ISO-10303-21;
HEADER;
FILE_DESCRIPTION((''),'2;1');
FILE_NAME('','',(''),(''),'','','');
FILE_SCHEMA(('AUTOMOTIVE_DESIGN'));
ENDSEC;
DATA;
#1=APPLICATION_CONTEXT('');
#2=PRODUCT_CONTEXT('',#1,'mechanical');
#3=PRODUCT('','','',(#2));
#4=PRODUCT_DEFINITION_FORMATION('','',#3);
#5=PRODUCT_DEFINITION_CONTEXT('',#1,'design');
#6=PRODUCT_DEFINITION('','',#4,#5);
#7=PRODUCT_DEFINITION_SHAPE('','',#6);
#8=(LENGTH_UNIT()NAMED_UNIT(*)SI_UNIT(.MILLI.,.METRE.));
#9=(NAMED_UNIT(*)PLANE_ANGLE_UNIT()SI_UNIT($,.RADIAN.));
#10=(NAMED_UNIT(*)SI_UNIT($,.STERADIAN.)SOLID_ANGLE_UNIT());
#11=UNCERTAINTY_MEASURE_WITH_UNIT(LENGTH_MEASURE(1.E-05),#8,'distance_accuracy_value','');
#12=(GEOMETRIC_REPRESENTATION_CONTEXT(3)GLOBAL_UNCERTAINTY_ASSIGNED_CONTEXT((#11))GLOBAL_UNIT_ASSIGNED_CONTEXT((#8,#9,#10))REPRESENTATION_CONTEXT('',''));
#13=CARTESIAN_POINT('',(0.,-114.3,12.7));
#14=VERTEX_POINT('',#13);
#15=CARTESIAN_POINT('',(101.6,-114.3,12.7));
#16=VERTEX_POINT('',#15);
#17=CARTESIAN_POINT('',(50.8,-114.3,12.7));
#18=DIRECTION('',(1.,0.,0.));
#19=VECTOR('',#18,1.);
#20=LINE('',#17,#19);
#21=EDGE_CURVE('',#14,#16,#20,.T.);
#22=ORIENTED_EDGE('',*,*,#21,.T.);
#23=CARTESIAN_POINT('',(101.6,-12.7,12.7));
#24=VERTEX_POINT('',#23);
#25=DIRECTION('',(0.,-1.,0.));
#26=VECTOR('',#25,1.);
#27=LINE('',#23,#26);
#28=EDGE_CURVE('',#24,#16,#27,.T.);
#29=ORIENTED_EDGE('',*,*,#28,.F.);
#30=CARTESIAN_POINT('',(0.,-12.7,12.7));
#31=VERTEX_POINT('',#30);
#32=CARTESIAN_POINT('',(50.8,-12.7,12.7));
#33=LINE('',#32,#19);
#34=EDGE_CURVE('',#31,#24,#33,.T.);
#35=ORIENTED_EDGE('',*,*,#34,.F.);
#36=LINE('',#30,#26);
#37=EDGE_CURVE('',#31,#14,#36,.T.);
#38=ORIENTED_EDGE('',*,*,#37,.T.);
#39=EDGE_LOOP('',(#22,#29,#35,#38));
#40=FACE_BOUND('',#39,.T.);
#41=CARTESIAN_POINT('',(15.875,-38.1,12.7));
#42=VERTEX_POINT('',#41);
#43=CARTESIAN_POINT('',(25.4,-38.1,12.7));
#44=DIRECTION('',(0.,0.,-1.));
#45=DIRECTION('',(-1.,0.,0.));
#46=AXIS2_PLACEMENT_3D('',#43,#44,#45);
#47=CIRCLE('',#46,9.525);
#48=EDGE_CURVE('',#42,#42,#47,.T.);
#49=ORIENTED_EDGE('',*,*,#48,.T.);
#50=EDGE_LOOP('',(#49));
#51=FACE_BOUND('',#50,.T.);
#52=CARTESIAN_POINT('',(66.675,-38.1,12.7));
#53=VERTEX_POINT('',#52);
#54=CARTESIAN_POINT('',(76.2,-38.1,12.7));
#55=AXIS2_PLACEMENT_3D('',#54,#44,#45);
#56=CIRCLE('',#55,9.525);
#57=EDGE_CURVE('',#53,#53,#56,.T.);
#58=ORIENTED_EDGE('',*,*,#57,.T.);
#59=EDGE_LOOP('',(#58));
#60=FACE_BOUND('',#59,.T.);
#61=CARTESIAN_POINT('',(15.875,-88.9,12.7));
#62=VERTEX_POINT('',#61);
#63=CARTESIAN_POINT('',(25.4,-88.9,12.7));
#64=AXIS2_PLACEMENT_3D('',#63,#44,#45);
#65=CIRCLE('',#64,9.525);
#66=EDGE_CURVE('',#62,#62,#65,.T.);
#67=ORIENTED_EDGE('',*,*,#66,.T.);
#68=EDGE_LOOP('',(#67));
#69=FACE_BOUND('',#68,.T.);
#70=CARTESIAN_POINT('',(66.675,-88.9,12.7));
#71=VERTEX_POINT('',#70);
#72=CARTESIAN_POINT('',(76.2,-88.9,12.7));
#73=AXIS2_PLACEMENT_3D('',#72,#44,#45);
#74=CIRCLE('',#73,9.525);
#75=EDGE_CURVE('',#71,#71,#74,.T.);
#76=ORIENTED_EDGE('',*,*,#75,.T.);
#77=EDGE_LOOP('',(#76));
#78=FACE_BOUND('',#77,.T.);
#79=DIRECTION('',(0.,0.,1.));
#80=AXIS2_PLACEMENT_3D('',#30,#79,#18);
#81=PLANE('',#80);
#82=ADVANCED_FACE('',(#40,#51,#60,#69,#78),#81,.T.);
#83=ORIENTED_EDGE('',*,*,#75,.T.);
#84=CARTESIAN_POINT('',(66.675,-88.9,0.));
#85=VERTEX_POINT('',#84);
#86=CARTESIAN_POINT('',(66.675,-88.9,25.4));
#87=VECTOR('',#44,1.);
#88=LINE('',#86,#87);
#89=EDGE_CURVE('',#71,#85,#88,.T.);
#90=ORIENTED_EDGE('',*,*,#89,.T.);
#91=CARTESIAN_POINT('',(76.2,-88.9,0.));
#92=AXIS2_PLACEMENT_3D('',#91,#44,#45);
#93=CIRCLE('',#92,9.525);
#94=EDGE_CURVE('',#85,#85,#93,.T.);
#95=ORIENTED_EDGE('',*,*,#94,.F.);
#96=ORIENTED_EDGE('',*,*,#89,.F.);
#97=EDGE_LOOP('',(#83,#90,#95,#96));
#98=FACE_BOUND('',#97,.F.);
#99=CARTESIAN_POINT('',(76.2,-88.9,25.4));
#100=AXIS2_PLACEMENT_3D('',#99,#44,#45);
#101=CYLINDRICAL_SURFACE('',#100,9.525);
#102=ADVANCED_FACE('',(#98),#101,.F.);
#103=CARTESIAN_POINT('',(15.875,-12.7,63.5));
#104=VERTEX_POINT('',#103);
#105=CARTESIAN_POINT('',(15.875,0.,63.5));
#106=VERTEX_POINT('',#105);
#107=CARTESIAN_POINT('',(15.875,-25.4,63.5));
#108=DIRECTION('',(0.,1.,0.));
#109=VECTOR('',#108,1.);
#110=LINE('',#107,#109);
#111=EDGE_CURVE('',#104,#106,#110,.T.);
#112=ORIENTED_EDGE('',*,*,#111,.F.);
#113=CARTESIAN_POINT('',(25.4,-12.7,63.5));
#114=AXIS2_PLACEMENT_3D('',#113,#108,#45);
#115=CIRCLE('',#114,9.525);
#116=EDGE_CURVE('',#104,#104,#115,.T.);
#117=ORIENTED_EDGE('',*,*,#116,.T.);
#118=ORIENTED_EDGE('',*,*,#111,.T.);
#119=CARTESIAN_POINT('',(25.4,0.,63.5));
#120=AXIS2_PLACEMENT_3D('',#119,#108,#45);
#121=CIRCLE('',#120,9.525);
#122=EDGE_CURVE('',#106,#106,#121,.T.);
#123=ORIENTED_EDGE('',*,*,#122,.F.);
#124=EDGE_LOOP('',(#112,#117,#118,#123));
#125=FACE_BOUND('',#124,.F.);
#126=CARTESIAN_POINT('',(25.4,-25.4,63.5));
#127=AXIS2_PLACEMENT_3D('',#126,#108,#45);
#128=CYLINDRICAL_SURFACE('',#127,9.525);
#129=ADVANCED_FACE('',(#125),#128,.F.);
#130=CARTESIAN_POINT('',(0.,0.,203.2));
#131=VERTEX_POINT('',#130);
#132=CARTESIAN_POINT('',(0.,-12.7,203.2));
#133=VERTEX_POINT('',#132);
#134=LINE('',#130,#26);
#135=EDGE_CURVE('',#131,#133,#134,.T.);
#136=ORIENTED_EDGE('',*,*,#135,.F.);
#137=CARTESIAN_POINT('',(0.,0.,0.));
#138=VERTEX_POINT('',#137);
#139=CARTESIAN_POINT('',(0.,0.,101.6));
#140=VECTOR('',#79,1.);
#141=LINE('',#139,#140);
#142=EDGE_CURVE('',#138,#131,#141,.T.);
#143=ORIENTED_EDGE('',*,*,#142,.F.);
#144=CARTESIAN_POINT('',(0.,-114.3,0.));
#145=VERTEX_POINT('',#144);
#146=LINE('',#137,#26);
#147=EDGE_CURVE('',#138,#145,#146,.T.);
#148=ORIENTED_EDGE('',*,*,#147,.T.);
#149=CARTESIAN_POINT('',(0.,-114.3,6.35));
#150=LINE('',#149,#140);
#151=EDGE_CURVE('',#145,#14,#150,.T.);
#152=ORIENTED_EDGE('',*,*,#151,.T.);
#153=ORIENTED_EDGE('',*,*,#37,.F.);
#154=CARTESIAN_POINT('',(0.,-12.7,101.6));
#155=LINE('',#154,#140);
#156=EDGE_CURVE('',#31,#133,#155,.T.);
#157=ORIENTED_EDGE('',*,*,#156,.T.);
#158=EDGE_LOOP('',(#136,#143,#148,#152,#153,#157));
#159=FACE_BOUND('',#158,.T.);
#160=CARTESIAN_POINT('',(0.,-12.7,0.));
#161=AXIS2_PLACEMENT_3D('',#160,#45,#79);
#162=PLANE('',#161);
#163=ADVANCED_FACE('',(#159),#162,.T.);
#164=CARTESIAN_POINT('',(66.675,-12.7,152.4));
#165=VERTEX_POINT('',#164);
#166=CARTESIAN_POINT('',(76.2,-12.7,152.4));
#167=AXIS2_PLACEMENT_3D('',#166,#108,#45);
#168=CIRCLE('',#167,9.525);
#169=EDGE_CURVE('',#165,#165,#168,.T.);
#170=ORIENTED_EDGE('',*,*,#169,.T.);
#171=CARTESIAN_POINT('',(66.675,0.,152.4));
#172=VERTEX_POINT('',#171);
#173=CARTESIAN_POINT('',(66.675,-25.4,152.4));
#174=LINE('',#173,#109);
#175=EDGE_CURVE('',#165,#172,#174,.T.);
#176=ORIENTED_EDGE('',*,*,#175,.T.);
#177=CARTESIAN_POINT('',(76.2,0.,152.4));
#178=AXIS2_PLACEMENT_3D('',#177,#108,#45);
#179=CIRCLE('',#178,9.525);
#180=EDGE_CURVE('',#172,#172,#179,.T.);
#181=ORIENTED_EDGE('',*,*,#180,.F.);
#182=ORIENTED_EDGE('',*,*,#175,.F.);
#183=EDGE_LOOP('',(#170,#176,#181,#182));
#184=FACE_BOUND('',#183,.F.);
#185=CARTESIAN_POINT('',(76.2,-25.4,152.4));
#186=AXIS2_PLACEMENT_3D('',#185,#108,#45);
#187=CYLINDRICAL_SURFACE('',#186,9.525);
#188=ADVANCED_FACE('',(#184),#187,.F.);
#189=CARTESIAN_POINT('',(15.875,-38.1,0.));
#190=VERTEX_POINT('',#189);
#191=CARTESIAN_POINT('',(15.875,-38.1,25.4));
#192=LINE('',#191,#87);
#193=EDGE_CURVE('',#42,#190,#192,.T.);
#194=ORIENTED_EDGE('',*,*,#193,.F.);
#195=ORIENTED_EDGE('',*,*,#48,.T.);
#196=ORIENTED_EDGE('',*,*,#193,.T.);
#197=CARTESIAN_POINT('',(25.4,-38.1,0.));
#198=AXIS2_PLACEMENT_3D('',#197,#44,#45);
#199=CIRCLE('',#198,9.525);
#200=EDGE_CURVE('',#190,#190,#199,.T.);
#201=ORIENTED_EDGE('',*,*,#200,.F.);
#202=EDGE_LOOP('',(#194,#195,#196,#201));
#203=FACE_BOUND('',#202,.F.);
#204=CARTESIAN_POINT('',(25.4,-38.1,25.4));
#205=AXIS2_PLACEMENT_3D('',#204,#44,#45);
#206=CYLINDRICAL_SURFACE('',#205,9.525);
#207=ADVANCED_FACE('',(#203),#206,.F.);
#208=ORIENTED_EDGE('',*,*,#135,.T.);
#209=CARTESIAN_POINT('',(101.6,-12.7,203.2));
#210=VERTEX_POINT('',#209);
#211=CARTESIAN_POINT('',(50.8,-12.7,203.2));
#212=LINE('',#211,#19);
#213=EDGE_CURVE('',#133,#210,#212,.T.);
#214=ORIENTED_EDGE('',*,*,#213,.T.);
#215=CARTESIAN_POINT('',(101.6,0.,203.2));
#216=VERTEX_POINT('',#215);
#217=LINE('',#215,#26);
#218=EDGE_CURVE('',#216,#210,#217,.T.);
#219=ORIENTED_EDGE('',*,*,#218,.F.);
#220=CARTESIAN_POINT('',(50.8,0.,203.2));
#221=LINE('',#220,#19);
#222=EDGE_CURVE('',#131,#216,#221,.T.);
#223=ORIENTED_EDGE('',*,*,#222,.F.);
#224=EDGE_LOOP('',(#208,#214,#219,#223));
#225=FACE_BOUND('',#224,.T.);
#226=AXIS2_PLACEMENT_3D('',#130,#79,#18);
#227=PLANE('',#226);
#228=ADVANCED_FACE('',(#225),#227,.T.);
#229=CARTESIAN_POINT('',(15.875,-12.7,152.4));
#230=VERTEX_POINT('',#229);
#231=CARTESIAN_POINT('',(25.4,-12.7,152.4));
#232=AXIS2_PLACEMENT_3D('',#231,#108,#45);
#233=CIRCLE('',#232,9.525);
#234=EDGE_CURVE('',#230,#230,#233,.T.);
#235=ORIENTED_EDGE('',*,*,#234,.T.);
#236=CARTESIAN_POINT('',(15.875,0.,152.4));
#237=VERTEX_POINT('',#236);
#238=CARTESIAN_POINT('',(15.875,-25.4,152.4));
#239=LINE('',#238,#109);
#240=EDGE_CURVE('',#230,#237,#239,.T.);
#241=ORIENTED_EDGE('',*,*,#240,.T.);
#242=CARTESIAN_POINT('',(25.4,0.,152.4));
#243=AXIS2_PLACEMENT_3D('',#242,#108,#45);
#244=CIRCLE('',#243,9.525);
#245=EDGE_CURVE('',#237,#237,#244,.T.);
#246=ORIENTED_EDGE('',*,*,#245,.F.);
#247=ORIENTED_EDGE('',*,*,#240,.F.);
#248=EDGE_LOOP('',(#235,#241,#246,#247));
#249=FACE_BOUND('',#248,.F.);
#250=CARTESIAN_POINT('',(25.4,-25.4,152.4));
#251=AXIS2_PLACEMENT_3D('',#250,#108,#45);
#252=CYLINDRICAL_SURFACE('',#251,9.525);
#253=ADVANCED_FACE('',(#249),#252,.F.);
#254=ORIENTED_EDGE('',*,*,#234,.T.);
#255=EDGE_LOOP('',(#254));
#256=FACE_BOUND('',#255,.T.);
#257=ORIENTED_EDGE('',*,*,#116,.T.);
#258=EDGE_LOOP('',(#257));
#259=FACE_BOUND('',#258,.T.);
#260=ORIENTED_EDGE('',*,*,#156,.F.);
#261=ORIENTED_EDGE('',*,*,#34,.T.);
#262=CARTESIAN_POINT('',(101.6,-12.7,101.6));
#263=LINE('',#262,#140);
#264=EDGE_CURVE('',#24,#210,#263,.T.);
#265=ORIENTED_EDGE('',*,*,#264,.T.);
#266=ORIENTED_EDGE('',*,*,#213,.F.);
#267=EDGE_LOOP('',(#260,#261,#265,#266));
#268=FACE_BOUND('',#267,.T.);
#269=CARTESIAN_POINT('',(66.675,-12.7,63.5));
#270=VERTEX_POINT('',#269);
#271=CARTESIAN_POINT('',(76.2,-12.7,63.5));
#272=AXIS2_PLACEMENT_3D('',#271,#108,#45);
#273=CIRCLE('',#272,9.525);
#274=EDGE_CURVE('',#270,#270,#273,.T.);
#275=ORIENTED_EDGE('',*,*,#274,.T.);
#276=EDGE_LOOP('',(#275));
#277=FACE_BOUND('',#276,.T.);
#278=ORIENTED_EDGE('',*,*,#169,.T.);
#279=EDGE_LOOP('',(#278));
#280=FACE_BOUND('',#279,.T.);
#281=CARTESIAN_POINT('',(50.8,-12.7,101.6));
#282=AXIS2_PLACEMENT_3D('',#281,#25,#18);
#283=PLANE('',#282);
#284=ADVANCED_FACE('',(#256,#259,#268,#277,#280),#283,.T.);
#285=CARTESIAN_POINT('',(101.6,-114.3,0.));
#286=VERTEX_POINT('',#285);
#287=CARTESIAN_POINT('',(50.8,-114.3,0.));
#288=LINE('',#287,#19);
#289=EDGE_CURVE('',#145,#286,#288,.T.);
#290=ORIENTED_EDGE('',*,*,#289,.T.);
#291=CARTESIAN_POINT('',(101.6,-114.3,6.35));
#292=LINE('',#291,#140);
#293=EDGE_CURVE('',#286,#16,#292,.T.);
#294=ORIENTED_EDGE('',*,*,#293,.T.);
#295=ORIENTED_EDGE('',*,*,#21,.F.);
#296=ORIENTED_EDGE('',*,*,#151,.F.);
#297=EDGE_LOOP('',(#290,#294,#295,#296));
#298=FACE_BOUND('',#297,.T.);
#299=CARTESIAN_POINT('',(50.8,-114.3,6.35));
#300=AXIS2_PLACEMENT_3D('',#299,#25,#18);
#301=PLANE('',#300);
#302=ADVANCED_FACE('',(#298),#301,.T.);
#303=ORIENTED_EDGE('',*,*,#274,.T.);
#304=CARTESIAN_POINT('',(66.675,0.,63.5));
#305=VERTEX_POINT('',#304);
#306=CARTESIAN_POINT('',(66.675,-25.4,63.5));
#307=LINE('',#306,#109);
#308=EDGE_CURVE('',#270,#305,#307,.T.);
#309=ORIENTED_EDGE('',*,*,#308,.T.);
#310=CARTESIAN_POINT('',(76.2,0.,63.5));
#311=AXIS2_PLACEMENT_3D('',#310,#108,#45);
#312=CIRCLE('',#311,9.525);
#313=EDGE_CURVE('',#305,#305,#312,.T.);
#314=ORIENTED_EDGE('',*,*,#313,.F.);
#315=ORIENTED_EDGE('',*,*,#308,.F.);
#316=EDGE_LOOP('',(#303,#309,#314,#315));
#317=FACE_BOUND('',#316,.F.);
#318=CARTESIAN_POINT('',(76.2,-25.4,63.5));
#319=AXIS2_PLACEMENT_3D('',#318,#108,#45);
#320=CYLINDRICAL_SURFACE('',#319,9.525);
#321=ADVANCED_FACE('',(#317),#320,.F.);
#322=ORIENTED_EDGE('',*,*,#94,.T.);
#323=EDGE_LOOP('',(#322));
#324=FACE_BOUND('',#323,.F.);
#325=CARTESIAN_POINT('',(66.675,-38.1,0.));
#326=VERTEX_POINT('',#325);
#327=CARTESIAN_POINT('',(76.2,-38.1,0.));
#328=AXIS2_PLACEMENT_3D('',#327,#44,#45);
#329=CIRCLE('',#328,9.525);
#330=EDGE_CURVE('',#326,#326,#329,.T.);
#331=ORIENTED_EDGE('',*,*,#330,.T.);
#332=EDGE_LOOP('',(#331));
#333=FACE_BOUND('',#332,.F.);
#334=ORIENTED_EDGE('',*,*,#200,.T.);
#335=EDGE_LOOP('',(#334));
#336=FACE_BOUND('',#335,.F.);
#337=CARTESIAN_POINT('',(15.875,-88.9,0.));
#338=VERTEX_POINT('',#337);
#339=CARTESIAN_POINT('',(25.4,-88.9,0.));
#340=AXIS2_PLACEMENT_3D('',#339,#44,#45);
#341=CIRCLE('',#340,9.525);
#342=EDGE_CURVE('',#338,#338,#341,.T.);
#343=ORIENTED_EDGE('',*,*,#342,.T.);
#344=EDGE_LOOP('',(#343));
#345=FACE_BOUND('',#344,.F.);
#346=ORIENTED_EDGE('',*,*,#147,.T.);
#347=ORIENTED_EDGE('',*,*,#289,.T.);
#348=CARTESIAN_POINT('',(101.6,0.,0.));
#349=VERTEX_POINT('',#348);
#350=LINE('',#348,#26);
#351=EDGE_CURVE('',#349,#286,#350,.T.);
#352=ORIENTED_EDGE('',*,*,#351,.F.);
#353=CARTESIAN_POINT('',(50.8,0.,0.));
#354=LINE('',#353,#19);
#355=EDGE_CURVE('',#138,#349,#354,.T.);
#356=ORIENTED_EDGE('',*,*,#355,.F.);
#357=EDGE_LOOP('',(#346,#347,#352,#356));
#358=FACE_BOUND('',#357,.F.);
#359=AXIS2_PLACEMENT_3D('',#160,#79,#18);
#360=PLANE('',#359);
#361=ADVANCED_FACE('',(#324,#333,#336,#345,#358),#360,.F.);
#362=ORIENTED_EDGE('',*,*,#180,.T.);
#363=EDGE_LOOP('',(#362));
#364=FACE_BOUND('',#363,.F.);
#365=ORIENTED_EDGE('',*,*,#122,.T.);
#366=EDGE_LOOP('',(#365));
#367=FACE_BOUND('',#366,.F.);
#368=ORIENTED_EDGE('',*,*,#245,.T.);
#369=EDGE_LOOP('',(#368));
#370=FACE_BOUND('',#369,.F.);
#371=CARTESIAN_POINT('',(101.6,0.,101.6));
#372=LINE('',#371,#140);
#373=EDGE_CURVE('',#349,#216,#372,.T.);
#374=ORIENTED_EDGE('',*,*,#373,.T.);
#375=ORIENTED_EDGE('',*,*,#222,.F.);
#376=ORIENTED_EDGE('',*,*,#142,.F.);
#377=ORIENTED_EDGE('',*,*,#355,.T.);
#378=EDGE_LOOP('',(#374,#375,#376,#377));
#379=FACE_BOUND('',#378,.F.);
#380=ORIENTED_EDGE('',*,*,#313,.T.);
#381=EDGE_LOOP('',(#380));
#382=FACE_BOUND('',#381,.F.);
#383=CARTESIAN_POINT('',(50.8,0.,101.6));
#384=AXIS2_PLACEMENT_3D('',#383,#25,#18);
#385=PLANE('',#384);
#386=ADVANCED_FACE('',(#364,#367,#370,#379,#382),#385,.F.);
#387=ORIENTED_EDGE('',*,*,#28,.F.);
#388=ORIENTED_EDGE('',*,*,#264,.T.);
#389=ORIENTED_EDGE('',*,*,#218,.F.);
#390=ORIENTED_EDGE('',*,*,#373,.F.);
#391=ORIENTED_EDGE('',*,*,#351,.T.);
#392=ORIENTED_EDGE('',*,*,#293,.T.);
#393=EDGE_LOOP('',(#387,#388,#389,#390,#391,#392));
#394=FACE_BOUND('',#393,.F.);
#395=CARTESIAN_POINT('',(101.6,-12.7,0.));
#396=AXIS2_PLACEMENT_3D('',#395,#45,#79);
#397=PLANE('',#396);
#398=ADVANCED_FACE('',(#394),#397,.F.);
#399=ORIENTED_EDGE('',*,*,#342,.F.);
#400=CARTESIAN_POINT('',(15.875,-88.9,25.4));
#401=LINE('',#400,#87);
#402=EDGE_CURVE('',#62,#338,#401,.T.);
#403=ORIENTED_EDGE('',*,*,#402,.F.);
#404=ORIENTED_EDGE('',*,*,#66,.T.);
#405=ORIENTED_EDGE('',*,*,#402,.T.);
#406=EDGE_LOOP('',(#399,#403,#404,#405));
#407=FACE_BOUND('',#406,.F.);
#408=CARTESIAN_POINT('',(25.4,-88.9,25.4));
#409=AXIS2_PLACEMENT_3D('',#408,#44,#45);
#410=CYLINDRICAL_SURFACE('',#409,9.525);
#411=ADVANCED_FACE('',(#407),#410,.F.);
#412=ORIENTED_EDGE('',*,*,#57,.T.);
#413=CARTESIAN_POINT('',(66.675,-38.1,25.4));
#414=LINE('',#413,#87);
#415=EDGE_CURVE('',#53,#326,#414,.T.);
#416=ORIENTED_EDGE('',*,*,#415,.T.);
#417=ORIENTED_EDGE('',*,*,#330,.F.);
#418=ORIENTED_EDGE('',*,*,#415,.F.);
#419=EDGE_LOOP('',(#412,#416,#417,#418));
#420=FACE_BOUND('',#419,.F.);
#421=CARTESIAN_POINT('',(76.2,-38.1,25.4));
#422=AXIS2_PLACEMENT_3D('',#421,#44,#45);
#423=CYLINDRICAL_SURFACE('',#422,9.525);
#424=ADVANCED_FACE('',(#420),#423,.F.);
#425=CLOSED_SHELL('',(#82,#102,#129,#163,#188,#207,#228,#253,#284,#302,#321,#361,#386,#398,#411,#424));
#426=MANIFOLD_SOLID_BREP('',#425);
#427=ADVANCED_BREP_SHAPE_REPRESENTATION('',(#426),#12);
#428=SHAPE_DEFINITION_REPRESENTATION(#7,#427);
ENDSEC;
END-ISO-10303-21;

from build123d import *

# Parameters (mm, degrees)
F0_W     = 101.6
F0_H     = 203.2
F1_DEPTH = 12.7
F2_W     = 101.6
F2_H     = 12.7
F3_DEPTH = 101.6
F5_D     = 19.05
F5_DEPTH = 12.7
F7_D     = 19.05
F7_DEPTH = 12.7
F9_D     = 19.05
F9_DEPTH = 12.7


with BuildPart() as f1:
    # F0 (on Front) → F1 (new body)
    with BuildSketch(Plane.XZ):
        with Locations((50.8, 101.6)):
            Rectangle(F0_W, F0_H)
    extrude(amount=F1_DEPTH)

    # F2 (on face) → F3 (join)
    with BuildSketch(Plane.XZ.offset(12.7)):
        with Locations((50.8, 6.35)):
            Rectangle(F2_W, F2_H)
    extrude(amount=F3_DEPTH)

    # F5
    with Locations(Plane.XY.offset(12.7)):
        with Locations((25.4, -88.9)):
            Hole(F5_D / 2, depth=F5_DEPTH)

    # F7
    with Locations(Plane.XY.offset(12.7)):
        with Locations((25.4, -38.1), (76.2, -38.1), (76.2, -88.9)):
            Hole(F7_D / 2, depth=F7_DEPTH)

    # F9
    with Locations(Plane.XZ.offset(12.7)):
        with Locations((25.4, 152.4), (76.2, 152.4), (76.2, 63.5), (25.4, 63.5)):
            Hole(F9_D / 2, depth=F9_DEPTH)


solid = f1.part
